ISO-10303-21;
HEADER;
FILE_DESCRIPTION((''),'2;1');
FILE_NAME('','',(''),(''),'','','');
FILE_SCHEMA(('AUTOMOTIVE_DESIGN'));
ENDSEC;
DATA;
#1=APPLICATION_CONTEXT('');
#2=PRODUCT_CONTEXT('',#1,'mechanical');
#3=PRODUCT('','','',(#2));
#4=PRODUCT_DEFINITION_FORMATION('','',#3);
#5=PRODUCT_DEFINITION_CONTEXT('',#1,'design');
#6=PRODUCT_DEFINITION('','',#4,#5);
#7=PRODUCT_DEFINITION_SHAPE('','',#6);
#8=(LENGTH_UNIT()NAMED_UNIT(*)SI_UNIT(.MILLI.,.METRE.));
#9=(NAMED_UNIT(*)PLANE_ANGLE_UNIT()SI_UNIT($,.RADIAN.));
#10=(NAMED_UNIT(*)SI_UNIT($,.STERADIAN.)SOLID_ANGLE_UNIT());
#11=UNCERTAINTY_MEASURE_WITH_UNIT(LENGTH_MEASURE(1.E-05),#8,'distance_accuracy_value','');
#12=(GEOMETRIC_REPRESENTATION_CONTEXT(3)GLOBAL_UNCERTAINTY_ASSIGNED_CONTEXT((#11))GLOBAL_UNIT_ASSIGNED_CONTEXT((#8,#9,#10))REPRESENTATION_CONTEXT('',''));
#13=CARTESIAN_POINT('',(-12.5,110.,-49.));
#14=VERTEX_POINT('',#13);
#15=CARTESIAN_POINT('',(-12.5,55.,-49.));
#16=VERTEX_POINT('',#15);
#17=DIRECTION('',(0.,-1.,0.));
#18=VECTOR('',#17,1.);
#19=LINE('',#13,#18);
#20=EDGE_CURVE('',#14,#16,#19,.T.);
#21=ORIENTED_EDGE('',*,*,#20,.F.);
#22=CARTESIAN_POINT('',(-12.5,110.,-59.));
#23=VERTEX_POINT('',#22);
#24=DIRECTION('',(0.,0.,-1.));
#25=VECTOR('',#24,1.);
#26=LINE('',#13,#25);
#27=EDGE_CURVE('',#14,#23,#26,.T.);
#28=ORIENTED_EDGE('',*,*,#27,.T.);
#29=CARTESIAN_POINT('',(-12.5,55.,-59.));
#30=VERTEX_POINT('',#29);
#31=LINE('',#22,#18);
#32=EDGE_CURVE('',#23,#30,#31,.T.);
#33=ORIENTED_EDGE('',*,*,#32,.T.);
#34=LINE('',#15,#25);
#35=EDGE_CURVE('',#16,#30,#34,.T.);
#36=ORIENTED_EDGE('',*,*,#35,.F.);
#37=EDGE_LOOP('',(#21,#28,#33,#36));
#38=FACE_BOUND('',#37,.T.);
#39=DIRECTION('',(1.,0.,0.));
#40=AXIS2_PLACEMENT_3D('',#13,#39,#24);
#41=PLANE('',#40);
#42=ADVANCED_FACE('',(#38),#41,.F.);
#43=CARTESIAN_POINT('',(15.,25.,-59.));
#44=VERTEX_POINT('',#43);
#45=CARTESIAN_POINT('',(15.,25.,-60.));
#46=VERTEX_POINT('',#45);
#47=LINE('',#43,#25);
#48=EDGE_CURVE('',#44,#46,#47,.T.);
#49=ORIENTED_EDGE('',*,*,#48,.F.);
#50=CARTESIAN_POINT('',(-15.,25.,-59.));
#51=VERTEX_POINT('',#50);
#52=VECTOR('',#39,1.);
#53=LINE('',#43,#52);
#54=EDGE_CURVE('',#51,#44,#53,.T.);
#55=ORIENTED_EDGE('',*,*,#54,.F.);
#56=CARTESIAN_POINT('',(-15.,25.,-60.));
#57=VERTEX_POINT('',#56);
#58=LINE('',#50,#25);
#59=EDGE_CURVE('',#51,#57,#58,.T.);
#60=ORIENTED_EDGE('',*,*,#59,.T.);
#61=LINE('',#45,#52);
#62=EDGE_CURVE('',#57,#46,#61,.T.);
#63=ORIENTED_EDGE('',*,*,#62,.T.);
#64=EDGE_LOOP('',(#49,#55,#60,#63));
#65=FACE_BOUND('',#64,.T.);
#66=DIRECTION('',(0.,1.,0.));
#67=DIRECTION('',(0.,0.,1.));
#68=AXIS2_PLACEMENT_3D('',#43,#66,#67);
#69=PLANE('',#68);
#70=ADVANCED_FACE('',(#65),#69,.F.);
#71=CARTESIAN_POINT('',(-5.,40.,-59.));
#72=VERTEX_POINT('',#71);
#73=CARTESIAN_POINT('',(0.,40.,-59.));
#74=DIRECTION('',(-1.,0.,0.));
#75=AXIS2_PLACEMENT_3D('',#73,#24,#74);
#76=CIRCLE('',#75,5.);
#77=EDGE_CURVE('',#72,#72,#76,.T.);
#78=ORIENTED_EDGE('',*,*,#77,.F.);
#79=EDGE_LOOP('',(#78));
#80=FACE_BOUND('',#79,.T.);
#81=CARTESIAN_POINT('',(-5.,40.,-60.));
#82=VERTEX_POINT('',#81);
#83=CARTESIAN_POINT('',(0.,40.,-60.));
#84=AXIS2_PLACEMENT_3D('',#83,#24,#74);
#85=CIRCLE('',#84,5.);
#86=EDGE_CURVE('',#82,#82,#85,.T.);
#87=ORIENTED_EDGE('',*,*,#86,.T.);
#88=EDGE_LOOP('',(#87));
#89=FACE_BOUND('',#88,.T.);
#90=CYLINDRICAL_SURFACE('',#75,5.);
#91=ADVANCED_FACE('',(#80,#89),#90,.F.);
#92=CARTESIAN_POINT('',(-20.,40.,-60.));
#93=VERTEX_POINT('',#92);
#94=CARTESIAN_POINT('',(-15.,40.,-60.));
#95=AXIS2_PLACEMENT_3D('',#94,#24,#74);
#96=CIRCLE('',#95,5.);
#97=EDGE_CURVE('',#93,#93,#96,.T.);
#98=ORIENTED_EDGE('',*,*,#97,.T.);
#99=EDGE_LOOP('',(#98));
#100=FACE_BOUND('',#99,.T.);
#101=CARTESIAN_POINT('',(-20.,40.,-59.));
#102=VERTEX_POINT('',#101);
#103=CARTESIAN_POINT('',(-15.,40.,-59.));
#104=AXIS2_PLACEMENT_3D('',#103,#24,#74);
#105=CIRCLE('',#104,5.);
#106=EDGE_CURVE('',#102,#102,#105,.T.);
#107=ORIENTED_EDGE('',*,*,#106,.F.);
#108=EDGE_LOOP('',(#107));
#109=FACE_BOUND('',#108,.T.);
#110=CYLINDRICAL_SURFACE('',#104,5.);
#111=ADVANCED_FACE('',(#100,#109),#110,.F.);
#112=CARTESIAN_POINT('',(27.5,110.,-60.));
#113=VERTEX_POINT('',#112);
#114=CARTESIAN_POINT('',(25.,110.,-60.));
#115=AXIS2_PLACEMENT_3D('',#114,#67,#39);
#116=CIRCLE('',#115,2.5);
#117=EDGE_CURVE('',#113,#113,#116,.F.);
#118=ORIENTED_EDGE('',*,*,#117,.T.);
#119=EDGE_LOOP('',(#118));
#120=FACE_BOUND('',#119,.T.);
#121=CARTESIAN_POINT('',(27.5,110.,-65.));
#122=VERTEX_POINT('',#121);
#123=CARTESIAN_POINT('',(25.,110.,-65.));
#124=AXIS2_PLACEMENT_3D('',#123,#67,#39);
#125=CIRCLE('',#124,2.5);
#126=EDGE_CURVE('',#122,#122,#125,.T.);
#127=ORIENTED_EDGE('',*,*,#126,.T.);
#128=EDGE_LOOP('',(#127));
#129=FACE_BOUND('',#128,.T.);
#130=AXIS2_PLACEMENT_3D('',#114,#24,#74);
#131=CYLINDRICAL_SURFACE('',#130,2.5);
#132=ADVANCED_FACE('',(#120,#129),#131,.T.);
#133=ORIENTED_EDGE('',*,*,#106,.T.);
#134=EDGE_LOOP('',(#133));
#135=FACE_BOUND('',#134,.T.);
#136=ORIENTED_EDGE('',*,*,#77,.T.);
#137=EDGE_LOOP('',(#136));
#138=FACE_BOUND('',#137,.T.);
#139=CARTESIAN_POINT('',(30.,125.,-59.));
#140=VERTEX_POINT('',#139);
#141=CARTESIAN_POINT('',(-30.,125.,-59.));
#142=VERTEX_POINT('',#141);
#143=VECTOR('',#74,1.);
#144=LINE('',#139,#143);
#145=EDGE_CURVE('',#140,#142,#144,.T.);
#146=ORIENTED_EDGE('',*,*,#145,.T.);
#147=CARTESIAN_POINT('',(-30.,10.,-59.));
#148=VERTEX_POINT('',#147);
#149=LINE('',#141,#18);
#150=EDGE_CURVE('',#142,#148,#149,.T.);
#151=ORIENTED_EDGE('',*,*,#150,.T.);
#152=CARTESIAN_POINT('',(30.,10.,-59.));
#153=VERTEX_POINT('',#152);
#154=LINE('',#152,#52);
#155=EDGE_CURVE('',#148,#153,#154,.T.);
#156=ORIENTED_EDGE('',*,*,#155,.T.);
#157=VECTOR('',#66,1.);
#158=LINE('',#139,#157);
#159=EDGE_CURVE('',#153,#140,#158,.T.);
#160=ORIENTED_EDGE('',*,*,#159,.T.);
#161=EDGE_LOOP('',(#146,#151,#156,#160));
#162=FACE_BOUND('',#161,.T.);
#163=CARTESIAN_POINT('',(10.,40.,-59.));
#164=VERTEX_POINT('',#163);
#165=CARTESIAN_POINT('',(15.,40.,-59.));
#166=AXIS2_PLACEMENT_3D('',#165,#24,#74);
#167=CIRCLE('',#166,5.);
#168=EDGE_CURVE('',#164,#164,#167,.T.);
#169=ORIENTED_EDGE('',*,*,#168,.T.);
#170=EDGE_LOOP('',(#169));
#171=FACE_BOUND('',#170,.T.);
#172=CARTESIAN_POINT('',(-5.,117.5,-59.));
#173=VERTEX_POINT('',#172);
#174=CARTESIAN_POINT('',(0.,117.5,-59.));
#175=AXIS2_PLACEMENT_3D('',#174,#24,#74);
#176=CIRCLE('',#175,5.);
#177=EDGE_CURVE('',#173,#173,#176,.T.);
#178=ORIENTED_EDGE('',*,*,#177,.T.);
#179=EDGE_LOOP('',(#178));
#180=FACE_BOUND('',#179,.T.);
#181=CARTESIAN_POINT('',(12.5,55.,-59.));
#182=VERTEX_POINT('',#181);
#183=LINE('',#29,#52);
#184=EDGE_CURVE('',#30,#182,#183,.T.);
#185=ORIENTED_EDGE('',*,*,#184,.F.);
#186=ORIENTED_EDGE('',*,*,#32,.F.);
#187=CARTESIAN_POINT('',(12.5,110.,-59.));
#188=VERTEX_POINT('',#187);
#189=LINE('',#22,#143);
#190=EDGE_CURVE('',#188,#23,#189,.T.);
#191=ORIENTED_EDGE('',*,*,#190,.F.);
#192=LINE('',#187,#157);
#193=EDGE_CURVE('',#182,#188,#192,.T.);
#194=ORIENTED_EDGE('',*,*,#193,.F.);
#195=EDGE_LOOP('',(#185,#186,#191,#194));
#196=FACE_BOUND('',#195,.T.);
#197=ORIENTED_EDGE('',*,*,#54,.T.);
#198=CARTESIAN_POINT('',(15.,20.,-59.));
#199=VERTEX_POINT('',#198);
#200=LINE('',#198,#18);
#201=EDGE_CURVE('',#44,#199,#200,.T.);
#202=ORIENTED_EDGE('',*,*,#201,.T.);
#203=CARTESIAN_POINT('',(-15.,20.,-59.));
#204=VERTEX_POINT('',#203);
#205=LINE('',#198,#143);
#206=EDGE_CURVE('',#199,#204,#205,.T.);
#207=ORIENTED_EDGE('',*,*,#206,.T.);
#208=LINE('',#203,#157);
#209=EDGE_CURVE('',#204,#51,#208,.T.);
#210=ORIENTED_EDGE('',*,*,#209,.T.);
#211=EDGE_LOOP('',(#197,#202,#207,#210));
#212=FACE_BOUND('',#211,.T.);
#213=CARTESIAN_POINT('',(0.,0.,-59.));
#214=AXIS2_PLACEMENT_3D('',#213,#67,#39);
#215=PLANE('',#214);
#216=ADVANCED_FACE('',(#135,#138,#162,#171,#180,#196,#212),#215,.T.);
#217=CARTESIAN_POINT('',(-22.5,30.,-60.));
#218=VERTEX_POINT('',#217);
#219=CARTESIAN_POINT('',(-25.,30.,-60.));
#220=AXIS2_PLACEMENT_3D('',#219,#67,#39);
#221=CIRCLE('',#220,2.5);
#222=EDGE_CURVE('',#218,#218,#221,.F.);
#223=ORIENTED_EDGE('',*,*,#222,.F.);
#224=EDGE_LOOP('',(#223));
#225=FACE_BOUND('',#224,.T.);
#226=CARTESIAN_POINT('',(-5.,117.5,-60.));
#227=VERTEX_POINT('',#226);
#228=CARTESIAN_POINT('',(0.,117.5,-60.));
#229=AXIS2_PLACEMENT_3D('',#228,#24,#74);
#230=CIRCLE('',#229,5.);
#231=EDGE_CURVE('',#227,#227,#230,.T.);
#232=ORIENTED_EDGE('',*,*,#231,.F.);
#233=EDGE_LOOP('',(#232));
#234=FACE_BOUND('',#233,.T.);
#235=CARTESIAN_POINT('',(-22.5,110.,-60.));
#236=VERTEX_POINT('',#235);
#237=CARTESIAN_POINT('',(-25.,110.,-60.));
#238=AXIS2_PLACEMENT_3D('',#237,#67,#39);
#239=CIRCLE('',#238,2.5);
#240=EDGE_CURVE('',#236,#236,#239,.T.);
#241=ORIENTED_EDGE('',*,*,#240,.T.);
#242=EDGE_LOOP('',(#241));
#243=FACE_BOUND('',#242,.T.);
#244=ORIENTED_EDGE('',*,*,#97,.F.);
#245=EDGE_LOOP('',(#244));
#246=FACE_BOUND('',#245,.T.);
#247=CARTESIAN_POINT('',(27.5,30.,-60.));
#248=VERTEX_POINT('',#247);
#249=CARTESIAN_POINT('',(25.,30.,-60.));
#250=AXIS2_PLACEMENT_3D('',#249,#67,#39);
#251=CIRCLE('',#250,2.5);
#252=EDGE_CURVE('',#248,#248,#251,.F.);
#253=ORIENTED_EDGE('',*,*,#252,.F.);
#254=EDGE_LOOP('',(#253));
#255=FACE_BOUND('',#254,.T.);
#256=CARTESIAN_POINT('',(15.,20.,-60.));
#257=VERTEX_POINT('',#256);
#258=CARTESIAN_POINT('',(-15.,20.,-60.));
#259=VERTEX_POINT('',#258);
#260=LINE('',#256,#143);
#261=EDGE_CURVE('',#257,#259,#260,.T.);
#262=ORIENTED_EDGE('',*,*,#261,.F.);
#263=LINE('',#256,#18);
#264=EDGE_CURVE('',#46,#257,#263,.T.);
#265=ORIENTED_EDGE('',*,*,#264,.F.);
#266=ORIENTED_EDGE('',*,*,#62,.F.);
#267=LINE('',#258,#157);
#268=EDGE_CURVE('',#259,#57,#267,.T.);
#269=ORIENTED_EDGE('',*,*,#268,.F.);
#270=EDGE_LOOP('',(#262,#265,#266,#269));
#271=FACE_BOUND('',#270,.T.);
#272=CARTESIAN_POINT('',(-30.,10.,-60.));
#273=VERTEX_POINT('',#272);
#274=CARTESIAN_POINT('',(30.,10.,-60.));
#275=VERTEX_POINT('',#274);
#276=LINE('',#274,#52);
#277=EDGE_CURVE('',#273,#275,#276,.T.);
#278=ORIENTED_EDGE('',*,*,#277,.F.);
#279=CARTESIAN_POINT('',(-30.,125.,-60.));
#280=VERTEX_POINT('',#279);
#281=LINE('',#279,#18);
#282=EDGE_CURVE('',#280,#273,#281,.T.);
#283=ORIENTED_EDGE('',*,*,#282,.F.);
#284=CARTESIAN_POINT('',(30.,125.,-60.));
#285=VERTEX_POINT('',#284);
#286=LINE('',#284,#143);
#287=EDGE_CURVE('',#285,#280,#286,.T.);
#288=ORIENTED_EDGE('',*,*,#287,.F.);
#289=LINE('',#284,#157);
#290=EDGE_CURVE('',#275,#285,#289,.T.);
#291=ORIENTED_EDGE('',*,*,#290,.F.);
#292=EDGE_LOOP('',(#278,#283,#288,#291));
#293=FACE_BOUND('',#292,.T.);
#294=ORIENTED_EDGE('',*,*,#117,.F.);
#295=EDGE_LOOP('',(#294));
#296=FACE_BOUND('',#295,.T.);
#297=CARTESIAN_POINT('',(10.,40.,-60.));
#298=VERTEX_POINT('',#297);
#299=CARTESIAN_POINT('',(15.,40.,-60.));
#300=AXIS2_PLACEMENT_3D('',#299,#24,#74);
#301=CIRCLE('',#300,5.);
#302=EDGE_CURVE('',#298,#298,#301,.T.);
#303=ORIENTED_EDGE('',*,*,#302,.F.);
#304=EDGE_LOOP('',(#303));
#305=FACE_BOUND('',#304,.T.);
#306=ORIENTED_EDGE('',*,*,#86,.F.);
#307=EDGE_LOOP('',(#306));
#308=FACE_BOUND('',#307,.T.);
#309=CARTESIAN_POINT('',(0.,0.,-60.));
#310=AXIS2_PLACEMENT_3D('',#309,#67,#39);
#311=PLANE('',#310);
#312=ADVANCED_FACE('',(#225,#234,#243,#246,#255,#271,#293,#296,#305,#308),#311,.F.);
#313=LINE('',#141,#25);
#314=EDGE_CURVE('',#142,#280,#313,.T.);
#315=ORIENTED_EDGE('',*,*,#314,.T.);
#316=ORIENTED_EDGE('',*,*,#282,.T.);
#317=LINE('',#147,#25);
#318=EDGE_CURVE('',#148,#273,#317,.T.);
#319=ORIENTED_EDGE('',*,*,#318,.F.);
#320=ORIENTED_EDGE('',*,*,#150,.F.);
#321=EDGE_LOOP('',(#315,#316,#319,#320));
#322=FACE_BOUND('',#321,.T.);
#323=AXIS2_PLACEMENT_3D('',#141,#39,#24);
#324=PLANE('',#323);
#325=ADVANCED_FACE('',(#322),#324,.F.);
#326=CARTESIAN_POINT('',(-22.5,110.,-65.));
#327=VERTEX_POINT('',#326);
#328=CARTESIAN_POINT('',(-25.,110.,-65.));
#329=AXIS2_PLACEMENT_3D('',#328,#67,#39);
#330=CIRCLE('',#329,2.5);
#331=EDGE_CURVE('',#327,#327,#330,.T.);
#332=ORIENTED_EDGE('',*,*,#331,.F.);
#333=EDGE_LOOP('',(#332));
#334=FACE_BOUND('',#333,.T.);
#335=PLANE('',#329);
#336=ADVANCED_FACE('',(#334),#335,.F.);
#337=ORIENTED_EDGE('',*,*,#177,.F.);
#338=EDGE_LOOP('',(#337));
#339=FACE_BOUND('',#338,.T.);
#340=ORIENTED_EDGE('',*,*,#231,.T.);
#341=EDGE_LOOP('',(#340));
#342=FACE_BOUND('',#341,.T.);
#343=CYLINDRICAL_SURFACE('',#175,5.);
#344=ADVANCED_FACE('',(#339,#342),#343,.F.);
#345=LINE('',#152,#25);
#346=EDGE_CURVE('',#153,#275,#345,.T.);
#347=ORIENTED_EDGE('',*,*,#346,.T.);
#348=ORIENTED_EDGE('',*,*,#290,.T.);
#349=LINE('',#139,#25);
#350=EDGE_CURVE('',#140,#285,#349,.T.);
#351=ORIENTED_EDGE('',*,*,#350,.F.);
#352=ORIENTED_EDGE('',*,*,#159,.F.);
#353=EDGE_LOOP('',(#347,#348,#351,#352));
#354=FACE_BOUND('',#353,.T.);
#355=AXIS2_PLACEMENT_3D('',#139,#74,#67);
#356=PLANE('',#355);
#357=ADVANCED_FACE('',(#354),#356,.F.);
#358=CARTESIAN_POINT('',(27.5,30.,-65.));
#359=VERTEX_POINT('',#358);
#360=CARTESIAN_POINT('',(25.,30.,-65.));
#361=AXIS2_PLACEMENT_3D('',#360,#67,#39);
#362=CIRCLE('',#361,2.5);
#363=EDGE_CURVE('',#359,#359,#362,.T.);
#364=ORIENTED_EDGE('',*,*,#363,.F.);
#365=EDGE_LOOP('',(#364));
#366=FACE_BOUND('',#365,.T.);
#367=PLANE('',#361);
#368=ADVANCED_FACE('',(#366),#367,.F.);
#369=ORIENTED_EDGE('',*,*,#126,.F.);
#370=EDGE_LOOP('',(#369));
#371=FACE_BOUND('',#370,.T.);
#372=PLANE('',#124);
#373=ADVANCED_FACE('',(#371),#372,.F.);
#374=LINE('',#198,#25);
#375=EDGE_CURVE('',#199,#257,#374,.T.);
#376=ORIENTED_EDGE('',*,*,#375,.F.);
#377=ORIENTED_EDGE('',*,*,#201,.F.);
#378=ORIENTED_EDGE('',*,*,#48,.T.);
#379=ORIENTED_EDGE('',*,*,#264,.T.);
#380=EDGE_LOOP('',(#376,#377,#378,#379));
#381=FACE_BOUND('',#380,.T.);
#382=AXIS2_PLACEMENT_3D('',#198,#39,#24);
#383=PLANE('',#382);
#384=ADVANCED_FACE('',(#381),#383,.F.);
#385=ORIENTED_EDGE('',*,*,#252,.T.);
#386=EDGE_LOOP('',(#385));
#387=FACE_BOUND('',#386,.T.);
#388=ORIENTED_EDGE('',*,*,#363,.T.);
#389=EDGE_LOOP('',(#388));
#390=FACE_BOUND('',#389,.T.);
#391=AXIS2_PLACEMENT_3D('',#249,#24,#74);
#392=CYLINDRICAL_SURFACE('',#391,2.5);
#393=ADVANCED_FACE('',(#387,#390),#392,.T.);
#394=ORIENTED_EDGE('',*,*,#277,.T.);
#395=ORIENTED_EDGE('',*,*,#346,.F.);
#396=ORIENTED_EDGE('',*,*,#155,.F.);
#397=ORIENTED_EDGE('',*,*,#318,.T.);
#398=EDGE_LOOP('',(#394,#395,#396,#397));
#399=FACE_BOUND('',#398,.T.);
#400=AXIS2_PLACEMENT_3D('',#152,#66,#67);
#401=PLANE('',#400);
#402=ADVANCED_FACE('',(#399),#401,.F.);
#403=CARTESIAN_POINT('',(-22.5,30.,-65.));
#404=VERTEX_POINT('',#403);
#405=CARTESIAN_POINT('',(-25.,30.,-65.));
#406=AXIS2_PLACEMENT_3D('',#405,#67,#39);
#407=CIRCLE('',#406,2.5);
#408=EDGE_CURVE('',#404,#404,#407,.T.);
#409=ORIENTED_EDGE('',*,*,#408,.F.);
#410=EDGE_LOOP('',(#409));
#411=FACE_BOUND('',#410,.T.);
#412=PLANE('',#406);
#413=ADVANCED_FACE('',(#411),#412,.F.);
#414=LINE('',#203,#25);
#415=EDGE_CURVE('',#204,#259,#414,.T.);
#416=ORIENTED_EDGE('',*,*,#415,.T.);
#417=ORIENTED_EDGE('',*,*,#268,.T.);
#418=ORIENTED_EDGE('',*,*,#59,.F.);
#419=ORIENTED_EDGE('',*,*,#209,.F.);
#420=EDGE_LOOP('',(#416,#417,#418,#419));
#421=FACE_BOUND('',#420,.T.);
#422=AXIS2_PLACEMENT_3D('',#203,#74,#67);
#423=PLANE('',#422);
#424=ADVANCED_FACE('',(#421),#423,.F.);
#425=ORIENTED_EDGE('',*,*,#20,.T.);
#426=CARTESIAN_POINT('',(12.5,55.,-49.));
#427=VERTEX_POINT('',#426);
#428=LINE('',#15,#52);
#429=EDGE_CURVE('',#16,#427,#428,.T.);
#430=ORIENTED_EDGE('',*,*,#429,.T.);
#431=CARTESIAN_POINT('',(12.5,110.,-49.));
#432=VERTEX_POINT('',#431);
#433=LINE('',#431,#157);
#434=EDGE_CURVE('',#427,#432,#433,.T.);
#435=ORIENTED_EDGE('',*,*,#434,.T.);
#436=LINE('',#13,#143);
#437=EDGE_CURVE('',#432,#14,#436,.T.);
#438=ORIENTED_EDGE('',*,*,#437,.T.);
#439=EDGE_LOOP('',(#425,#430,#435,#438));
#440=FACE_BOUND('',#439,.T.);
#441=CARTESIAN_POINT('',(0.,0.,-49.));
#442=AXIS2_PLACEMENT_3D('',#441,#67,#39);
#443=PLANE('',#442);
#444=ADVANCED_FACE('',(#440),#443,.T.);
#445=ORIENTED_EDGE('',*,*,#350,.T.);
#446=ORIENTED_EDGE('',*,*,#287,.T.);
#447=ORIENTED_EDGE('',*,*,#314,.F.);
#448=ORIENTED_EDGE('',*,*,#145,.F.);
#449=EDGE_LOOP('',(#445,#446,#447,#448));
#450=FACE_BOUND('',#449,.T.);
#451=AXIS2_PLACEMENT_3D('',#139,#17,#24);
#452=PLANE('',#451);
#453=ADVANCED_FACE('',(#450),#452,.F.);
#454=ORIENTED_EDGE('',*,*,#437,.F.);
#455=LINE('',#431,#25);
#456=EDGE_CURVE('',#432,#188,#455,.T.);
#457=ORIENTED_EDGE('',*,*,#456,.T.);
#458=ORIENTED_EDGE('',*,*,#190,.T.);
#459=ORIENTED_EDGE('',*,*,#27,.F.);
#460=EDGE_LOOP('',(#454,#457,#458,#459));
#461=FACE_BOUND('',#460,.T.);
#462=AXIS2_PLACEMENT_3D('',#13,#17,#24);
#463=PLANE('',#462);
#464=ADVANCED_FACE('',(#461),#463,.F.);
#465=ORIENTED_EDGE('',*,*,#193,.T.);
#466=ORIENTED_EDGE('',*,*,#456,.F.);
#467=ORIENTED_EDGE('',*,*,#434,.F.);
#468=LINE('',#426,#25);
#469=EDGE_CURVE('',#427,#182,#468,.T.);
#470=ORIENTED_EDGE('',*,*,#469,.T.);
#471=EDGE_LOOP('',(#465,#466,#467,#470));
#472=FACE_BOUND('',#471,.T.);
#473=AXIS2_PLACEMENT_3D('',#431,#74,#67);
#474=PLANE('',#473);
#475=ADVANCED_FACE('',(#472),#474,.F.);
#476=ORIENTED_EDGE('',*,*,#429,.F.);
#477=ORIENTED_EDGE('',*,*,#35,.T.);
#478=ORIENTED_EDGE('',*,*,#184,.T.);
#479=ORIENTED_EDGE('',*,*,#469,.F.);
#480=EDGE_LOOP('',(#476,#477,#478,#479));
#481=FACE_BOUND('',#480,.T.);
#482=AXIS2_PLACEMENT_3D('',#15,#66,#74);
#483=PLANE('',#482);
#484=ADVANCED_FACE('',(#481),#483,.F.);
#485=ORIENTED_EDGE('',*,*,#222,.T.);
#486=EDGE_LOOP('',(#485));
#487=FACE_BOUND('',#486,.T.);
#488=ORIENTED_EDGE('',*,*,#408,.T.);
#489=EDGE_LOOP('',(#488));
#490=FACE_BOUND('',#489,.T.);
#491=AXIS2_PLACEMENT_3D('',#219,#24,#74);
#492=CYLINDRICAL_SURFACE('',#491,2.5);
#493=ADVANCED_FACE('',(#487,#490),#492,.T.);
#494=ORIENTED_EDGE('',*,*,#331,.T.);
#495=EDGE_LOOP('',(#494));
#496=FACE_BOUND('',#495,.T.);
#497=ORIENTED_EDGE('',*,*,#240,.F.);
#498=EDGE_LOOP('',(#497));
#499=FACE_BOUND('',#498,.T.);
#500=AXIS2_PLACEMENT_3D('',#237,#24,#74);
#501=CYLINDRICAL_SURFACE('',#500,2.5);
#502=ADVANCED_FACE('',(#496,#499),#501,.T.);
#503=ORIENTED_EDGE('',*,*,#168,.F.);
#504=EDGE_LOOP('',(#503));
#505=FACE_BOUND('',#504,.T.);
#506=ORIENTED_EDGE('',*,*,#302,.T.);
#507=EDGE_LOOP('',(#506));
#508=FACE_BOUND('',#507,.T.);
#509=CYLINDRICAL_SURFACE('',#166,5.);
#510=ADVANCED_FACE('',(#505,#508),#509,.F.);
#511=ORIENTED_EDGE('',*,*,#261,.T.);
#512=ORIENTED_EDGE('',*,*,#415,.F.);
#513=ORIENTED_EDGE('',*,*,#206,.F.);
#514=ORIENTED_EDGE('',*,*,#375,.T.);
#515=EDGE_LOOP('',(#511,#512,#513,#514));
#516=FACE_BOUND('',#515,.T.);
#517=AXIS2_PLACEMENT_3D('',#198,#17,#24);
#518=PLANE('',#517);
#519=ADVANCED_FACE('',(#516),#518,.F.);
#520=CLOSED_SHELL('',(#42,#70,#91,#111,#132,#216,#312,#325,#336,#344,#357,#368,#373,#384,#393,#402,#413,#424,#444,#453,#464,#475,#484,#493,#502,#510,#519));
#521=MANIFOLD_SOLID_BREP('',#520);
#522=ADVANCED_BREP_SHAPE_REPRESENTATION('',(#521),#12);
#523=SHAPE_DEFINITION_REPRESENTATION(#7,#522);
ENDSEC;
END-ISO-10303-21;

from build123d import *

# Parameters (mm, degrees)
SKETCH1_R                       = 2.5
POSTS_DEPTH                     = 5
POSTS_2_DEPTH                   = 5
POSTS_3_DEPTH                   = 5
POSTS_4_DEPTH                   = 5
SKETCH2_W                       = 60
SKETCH2_H                       = 115
ELECTRONICS_CIRCUIT_BOARD_DEPTH = 1
SKETCH3_R                       = 5
SKETCH3_W                       = 30
SKETCH3_H                       = 5
MOTOR_LEADS_DEPTH               = 129.646803303
SKETCH4_W                       = 25
SKETCH4_H                       = 55
ESC_DEPTH                       = 10


with BuildPart() as part:
    # Sketch1 → Posts (new body)
    with BuildSketch(Plane.XY.offset(-65)):
        with Locations((-25, 110)):
            Circle(SKETCH1_R)
    extrude(amount=POSTS_DEPTH)



with BuildPart() as body_2:
    # Sketch1 → Posts 2 (new body)
    with BuildSketch(Plane.XY.offset(-65)):
        with Locations((25, 110)):
            Circle(SKETCH1_R)
    extrude(amount=POSTS_2_DEPTH)


with BuildPart() as body_3:
    # Sketch1 → Posts 3 (new body)
    with BuildSketch(Plane.XY.offset(-65)):
        with Locations((25, 30)):
            Circle(SKETCH1_R)
    extrude(amount=POSTS_3_DEPTH)


with BuildPart() as body_4:
    # Sketch1 → Posts 4 (new body)
    with BuildSketch(Plane.XY.offset(-65)):
        with Locations((-25, 30)):
            Circle(SKETCH1_R)
    extrude(amount=POSTS_4_DEPTH)


with BuildPart() as part_1:
    add(part.part)

    add(body_2.part)  # Electronics Circuit Board merges body 2

    add(body_3.part)  # Electronics Circuit Board merges body 3

    add(body_4.part)  # Electronics Circuit Board merges body 4
    # Sketch2 → Electronics Circuit Board (add)
    with BuildSketch(Plane.XY.offset(-60)):
        with Locations((0, 67.5)):
            Rectangle(SKETCH2_W, SKETCH2_H)
    extrude(amount=ELECTRONICS_CIRCUIT_BOARD_DEPTH)

    # Sketch3 → Motor Leads (cut, through all)
    with BuildSketch(Plane(origin=(0, 0, -60), x_dir=(-1, 0, 0), z_dir=(0, 0, -1))):
        with Locations((0, 40)):
            Circle(SKETCH3_R)
        with Locations((-15, 40)):
            Circle(SKETCH3_R)
        with Locations((15, 40)):
            Circle(SKETCH3_R)
        with Locations((0, 117.5)):
            Circle(SKETCH3_R)
        with Locations((0, 22.5)):
            Rectangle(SKETCH3_W, SKETCH3_H)
    extrude(amount=-MOTOR_LEADS_DEPTH, mode=Mode.SUBTRACT)

    # Sketch4 → ESC (add)
    with BuildSketch(Plane.XY.offset(-59)):
        with Locations((0, 82.5)):
            Rectangle(SKETCH4_W, SKETCH4_H)
    extrude(amount=ESC_DEPTH)


solid = part_1.part
